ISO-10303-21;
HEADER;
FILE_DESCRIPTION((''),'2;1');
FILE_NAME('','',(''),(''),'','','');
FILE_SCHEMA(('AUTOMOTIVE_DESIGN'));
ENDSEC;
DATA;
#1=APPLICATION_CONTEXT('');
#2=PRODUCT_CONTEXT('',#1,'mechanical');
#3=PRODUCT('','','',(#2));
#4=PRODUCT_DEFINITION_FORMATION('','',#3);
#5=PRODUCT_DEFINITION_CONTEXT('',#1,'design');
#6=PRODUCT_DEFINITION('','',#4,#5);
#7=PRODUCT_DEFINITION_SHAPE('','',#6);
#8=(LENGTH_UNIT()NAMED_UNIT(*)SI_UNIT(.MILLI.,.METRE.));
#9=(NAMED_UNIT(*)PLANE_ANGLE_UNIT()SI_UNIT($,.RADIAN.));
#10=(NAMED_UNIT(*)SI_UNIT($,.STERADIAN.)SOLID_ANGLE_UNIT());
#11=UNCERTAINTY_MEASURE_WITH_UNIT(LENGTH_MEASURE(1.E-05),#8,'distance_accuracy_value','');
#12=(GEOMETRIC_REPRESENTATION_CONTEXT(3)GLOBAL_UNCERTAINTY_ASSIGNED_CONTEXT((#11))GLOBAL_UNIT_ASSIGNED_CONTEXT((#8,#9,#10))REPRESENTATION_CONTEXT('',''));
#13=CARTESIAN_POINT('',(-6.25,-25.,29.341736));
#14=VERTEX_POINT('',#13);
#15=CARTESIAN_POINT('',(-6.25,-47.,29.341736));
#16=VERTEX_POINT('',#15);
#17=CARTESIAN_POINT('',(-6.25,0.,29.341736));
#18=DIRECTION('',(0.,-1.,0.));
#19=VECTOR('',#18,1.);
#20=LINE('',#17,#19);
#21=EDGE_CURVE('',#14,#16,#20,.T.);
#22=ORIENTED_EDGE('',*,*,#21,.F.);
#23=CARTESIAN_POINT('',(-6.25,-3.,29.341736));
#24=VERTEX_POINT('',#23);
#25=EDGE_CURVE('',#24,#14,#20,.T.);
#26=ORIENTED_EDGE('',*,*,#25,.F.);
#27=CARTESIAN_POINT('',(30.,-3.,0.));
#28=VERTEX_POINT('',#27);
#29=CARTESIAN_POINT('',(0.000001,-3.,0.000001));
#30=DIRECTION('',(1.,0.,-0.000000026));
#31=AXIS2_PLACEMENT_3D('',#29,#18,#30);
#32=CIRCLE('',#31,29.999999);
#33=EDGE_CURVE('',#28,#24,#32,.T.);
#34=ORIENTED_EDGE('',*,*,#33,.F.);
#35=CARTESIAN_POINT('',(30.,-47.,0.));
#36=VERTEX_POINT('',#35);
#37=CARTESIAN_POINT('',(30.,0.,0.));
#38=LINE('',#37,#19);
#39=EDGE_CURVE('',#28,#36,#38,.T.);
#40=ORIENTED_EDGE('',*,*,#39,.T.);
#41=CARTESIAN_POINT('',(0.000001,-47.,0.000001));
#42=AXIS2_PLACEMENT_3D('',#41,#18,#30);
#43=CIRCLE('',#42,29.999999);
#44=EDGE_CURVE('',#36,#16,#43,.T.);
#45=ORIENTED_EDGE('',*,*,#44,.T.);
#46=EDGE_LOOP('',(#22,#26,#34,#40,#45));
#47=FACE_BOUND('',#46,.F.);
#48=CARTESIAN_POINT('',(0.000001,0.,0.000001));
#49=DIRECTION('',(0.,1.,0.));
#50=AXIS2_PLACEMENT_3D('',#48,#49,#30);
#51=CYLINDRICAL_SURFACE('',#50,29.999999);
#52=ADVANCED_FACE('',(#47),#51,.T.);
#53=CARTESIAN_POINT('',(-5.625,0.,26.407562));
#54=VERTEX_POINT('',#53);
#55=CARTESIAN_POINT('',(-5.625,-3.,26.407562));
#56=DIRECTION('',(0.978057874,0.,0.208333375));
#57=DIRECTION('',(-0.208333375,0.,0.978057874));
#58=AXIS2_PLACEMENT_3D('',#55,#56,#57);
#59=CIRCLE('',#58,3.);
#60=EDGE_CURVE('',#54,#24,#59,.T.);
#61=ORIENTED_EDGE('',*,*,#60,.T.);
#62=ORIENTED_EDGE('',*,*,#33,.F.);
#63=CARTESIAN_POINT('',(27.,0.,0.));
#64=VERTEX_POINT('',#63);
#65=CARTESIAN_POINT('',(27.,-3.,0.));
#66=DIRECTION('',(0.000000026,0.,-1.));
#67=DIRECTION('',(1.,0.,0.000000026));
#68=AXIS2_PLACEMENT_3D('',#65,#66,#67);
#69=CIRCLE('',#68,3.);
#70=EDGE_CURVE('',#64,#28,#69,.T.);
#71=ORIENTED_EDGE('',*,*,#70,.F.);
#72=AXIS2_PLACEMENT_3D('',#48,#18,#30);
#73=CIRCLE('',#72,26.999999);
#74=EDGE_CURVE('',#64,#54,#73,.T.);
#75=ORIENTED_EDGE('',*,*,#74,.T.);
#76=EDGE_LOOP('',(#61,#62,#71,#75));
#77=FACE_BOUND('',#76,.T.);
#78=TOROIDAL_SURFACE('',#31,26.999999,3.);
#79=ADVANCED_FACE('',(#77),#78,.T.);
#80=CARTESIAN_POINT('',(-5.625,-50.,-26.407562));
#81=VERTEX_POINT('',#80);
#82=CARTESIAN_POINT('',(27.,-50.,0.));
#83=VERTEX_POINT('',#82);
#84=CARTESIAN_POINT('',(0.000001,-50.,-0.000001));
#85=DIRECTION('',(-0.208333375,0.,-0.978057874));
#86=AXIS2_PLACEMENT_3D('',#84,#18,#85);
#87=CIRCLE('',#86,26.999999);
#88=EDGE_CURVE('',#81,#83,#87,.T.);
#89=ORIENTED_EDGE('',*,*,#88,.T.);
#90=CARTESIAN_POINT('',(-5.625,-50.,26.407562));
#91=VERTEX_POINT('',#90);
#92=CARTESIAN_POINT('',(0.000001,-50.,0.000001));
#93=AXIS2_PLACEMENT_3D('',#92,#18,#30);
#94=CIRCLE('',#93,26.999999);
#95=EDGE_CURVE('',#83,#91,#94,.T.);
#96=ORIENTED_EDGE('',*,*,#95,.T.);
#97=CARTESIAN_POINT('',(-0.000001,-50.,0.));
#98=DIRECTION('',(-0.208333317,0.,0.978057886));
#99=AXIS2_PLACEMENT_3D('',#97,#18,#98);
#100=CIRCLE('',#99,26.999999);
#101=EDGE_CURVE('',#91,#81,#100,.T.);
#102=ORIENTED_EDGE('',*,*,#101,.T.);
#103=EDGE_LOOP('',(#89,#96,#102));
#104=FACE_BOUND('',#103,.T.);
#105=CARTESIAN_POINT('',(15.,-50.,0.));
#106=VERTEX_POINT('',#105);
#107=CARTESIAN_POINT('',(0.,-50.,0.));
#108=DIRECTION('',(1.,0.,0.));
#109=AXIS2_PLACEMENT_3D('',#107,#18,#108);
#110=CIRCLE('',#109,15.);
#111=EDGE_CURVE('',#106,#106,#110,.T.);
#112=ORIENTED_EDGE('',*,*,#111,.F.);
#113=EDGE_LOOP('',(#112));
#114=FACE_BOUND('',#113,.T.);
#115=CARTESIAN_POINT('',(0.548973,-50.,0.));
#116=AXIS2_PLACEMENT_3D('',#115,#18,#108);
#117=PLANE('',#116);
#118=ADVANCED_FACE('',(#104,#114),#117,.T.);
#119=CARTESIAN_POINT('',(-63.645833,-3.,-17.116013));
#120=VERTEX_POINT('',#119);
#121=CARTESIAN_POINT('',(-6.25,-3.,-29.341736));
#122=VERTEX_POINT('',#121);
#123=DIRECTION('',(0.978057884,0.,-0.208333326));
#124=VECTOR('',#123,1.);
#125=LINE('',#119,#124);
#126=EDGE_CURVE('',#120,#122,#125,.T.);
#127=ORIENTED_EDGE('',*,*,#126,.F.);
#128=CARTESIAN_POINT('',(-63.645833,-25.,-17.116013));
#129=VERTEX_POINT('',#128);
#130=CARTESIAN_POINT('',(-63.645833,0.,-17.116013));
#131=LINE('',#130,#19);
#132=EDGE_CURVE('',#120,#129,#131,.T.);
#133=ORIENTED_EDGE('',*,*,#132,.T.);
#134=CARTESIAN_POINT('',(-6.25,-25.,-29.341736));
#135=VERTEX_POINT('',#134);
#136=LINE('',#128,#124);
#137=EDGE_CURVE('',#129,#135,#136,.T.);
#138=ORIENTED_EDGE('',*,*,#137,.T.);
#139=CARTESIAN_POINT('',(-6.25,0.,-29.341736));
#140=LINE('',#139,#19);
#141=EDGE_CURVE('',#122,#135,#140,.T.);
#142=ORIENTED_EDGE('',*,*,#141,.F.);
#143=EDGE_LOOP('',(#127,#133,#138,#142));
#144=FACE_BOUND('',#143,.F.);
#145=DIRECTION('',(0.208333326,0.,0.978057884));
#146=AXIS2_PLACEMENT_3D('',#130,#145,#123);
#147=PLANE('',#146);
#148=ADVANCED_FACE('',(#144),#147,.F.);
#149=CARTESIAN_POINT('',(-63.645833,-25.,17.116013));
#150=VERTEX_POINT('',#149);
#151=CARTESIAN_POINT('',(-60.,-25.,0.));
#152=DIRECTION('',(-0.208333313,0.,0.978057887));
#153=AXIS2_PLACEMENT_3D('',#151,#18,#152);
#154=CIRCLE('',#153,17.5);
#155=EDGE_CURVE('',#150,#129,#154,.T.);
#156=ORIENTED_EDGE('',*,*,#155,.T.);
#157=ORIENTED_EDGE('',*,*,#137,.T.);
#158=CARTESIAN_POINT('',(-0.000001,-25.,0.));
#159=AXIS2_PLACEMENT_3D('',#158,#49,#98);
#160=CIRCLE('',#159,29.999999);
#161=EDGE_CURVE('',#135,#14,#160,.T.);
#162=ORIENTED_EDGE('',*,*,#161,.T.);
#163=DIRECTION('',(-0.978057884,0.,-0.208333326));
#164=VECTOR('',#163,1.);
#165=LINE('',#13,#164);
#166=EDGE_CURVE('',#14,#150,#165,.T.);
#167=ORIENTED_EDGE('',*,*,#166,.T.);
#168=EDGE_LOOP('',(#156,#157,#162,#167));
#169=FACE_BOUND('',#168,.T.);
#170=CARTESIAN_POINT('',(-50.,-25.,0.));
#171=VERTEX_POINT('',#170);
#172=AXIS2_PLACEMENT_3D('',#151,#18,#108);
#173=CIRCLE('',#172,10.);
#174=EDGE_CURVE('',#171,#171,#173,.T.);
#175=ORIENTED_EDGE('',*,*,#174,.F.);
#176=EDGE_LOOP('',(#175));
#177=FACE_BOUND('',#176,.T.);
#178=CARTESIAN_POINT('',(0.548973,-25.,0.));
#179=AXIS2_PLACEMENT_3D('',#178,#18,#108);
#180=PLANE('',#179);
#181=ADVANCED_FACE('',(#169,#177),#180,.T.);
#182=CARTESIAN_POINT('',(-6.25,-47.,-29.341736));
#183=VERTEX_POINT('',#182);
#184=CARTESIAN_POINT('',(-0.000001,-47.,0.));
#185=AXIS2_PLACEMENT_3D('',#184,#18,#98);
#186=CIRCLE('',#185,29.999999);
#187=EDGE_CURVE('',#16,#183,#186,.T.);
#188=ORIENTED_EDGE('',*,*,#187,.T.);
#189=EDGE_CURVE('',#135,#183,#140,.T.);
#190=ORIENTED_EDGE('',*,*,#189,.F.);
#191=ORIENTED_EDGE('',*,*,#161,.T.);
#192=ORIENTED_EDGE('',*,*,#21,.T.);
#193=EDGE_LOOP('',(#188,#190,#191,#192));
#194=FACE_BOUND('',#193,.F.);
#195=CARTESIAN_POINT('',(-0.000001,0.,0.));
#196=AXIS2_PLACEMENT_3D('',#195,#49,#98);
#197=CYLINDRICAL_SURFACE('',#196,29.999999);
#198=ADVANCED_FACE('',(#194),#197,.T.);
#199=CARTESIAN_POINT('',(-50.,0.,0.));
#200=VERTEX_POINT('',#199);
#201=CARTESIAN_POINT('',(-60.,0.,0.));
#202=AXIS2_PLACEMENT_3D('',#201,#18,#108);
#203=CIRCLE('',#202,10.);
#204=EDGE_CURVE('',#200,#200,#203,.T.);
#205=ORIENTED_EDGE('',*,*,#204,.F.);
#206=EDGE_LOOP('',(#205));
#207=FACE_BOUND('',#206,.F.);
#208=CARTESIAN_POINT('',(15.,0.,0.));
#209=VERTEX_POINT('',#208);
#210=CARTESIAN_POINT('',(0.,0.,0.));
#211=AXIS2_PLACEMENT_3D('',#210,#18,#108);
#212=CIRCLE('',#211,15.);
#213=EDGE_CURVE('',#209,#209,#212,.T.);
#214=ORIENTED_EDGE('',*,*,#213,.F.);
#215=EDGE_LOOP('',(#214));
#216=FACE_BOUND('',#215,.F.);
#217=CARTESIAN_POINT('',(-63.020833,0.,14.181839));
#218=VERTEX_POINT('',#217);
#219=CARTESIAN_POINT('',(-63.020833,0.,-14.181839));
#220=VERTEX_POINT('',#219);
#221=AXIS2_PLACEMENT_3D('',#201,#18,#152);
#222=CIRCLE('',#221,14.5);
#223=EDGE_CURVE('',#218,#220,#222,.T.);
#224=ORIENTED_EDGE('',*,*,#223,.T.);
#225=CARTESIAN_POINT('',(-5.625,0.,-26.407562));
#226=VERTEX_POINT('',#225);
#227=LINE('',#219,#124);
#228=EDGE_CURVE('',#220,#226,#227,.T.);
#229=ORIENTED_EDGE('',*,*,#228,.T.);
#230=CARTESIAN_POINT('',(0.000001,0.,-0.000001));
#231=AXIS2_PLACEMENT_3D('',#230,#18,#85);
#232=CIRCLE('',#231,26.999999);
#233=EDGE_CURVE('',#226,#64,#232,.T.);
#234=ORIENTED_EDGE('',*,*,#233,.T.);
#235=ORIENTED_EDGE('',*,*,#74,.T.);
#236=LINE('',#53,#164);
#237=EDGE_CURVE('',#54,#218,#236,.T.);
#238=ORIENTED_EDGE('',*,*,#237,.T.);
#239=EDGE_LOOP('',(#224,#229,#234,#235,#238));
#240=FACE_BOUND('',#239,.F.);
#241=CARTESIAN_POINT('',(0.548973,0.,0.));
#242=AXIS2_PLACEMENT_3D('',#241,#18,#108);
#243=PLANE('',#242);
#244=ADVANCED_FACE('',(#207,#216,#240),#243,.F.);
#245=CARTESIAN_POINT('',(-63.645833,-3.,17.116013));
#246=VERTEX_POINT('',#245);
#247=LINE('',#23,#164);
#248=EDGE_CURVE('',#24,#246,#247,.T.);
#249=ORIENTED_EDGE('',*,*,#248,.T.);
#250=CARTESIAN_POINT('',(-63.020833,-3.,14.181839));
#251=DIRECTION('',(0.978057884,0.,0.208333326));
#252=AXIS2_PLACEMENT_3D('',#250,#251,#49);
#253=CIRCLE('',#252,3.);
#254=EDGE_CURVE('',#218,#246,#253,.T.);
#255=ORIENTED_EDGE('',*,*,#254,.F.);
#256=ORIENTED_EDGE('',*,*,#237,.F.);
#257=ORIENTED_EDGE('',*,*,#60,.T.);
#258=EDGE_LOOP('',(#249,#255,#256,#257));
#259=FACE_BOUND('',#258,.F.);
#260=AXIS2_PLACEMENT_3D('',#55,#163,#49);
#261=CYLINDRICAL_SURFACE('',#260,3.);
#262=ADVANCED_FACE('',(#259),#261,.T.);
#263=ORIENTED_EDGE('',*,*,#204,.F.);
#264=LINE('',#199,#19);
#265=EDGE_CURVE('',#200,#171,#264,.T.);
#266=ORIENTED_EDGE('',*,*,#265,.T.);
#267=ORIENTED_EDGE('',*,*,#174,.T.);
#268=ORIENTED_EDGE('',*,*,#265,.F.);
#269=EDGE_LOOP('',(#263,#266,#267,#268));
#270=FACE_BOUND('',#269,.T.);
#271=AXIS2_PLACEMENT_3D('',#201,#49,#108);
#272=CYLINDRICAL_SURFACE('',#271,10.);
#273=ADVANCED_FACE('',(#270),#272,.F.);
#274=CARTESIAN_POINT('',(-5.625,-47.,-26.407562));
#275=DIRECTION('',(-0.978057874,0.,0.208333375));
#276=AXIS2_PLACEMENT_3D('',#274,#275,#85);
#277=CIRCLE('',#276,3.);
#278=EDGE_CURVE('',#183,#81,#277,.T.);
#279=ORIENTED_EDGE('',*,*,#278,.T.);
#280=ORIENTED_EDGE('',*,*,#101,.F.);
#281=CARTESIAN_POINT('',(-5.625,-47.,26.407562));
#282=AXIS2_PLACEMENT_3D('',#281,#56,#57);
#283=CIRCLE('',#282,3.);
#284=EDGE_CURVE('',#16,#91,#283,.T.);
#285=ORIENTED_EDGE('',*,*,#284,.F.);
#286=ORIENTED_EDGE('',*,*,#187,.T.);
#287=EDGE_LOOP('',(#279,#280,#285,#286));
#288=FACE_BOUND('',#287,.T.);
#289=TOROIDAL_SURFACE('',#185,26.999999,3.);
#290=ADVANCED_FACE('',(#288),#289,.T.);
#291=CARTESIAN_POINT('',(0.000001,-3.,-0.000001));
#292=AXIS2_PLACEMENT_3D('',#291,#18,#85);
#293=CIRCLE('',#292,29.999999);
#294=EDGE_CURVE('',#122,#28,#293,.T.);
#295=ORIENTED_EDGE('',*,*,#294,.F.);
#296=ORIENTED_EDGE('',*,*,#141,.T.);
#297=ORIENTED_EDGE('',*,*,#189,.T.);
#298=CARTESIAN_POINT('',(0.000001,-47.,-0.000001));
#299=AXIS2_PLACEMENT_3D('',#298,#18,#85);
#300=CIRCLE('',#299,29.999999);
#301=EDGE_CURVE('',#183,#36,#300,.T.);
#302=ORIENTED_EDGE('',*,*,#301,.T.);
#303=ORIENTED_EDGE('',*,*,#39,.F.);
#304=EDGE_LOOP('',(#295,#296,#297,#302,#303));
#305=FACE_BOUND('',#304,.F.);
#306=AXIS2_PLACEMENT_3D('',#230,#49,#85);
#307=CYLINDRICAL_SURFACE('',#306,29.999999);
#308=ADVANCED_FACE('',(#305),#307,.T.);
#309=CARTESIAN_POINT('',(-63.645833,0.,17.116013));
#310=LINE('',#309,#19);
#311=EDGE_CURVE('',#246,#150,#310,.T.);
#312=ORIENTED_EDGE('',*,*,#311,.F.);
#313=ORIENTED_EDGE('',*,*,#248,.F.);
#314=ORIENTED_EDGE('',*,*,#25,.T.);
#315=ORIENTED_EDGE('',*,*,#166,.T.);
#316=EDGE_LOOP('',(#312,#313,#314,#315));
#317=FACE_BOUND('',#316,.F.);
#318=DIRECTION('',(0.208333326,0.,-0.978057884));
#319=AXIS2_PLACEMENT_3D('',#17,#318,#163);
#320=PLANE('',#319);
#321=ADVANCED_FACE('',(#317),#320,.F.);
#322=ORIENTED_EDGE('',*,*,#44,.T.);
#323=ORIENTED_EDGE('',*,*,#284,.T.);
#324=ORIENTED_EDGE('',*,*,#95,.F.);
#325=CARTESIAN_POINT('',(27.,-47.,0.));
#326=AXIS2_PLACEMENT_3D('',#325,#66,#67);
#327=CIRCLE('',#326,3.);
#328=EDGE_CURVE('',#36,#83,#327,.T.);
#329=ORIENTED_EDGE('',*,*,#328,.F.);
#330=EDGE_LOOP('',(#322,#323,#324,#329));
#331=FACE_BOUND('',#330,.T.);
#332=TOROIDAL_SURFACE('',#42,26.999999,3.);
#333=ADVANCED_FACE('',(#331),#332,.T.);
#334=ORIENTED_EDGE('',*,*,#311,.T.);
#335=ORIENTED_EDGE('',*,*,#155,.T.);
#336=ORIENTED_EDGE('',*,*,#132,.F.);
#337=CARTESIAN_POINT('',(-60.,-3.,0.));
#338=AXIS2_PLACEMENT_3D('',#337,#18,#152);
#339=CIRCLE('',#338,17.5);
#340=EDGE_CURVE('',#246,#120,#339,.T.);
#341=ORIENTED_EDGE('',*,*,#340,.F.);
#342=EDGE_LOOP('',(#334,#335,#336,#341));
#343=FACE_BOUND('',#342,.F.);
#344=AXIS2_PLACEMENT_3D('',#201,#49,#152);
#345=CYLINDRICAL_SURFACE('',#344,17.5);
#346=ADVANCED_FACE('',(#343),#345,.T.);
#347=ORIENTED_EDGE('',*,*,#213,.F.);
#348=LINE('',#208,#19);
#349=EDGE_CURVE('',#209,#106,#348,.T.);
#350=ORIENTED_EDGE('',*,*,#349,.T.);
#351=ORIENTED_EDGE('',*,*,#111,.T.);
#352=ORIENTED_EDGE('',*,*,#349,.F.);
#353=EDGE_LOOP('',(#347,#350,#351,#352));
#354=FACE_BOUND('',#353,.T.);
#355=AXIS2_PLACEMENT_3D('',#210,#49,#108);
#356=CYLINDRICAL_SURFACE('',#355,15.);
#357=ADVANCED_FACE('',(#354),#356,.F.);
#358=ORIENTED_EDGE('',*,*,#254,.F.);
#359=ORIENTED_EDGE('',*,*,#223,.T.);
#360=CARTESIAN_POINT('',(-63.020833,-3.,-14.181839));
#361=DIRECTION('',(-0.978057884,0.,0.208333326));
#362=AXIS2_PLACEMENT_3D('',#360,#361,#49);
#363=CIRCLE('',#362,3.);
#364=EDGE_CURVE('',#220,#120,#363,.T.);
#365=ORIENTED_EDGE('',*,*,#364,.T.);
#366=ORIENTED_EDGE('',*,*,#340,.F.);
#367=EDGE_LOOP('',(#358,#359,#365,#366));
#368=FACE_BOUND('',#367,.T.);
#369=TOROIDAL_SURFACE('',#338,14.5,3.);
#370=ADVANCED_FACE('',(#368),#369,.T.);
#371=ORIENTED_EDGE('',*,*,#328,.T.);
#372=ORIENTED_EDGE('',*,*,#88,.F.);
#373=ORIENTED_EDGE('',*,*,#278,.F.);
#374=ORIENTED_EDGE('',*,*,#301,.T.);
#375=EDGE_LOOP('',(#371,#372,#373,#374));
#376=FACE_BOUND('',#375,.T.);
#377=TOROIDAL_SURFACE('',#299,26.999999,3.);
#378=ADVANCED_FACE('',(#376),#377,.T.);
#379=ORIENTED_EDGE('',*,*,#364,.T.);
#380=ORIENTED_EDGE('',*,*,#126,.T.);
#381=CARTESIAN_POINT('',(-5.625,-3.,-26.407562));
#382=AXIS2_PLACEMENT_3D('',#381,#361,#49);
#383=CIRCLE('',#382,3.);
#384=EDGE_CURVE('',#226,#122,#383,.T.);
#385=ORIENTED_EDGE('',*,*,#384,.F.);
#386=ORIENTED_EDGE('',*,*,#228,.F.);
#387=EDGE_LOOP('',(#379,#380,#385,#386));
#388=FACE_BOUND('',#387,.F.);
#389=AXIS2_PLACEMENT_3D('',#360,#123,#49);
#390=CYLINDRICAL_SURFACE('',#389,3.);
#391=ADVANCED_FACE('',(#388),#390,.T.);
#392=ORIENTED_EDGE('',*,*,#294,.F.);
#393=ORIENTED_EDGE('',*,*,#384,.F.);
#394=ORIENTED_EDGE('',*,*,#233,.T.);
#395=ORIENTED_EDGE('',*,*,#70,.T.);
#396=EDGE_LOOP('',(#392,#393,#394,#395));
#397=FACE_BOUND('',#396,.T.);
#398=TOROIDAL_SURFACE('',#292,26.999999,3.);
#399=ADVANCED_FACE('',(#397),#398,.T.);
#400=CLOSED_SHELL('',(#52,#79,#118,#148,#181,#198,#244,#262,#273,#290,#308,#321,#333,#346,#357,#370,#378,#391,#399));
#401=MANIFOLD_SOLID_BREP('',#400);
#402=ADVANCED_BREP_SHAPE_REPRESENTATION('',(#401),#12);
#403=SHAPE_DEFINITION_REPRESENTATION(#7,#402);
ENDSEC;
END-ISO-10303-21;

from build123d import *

# Parameters (mm, degrees)
F0_R     = 15
F0_R_2   = 10
F1_DEPTH = 25
F2_DEPTH = 50
F3_R     = 3


with BuildPart() as f1:
    # F0 (on Front) → F1 (new body)
    with BuildSketch(Plane.XZ):
        with BuildLine():
            ThreePointArc((-6.25, -29.341736), (18.874586, -23.318448), (30, 0))
            ThreePointArc((30, 0), (18.874586, 23.318448), (-6.25, 29.341736))
            ThreePointArc((-6.25, 29.341736), (-30, 0), (-6.25, -29.341736))
        make_face()
        Circle(F0_R, mode=Mode.SUBTRACT)
        with BuildLine():
            ThreePointArc((-6.25, -29.341736), (-30, 0), (-6.25, 29.341736))
            Line((-6.25, 29.341736), (-63.645833, 17.116013))
            ThreePointArc((-63.645833, 17.116013), (-48.989825, 13.602428), (-42.5, 0))
            ThreePointArc((-42.5, 0), (-48.989825, -13.602428), (-63.645833, -17.116013))
            Line((-63.645833, -17.116013), (-6.25, -29.341736))
        make_face()
        with BuildLine():
            ThreePointArc((-42.5, 0), (-48.989825, 13.602428), (-63.645833, 17.116013))
            ThreePointArc((-63.645833, 17.116013), (-77.5, 0), (-63.645833, -17.116013))
            ThreePointArc((-63.645833, -17.116013), (-48.989825, -13.602428), (-42.5, 0))
        make_face()
        with Locations((-60, 0)):
            Circle(F0_R_2, mode=Mode.SUBTRACT)
    extrude(amount=F1_DEPTH)

    # F0 (on Front) → F2 (join)
    with BuildSketch(Plane.XZ):
        with BuildLine():
            ThreePointArc((-6.25, -29.341736), (18.874586, -23.318448), (30, 0))
            ThreePointArc((30, 0), (18.874586, 23.318448), (-6.25, 29.341736))
            ThreePointArc((-6.25, 29.341736), (-30, 0), (-6.25, -29.341736))
        make_face()
        Circle(F0_R, mode=Mode.SUBTRACT)
    extrude(amount=F2_DEPTH)

    # F3
    f3_edges = [f1.edges().sort_by_distance(p)[0] for p in [
        (6.25, -50, -29.341736),
        (30, 0, 0),
        (-34.947917, 0, -23.228875),
        (-77.5, 0, 0),
        (-34.947917, 0, 23.228875),
    ]]
    fillet(f3_edges, radius=F3_R)


solid = f1.part
